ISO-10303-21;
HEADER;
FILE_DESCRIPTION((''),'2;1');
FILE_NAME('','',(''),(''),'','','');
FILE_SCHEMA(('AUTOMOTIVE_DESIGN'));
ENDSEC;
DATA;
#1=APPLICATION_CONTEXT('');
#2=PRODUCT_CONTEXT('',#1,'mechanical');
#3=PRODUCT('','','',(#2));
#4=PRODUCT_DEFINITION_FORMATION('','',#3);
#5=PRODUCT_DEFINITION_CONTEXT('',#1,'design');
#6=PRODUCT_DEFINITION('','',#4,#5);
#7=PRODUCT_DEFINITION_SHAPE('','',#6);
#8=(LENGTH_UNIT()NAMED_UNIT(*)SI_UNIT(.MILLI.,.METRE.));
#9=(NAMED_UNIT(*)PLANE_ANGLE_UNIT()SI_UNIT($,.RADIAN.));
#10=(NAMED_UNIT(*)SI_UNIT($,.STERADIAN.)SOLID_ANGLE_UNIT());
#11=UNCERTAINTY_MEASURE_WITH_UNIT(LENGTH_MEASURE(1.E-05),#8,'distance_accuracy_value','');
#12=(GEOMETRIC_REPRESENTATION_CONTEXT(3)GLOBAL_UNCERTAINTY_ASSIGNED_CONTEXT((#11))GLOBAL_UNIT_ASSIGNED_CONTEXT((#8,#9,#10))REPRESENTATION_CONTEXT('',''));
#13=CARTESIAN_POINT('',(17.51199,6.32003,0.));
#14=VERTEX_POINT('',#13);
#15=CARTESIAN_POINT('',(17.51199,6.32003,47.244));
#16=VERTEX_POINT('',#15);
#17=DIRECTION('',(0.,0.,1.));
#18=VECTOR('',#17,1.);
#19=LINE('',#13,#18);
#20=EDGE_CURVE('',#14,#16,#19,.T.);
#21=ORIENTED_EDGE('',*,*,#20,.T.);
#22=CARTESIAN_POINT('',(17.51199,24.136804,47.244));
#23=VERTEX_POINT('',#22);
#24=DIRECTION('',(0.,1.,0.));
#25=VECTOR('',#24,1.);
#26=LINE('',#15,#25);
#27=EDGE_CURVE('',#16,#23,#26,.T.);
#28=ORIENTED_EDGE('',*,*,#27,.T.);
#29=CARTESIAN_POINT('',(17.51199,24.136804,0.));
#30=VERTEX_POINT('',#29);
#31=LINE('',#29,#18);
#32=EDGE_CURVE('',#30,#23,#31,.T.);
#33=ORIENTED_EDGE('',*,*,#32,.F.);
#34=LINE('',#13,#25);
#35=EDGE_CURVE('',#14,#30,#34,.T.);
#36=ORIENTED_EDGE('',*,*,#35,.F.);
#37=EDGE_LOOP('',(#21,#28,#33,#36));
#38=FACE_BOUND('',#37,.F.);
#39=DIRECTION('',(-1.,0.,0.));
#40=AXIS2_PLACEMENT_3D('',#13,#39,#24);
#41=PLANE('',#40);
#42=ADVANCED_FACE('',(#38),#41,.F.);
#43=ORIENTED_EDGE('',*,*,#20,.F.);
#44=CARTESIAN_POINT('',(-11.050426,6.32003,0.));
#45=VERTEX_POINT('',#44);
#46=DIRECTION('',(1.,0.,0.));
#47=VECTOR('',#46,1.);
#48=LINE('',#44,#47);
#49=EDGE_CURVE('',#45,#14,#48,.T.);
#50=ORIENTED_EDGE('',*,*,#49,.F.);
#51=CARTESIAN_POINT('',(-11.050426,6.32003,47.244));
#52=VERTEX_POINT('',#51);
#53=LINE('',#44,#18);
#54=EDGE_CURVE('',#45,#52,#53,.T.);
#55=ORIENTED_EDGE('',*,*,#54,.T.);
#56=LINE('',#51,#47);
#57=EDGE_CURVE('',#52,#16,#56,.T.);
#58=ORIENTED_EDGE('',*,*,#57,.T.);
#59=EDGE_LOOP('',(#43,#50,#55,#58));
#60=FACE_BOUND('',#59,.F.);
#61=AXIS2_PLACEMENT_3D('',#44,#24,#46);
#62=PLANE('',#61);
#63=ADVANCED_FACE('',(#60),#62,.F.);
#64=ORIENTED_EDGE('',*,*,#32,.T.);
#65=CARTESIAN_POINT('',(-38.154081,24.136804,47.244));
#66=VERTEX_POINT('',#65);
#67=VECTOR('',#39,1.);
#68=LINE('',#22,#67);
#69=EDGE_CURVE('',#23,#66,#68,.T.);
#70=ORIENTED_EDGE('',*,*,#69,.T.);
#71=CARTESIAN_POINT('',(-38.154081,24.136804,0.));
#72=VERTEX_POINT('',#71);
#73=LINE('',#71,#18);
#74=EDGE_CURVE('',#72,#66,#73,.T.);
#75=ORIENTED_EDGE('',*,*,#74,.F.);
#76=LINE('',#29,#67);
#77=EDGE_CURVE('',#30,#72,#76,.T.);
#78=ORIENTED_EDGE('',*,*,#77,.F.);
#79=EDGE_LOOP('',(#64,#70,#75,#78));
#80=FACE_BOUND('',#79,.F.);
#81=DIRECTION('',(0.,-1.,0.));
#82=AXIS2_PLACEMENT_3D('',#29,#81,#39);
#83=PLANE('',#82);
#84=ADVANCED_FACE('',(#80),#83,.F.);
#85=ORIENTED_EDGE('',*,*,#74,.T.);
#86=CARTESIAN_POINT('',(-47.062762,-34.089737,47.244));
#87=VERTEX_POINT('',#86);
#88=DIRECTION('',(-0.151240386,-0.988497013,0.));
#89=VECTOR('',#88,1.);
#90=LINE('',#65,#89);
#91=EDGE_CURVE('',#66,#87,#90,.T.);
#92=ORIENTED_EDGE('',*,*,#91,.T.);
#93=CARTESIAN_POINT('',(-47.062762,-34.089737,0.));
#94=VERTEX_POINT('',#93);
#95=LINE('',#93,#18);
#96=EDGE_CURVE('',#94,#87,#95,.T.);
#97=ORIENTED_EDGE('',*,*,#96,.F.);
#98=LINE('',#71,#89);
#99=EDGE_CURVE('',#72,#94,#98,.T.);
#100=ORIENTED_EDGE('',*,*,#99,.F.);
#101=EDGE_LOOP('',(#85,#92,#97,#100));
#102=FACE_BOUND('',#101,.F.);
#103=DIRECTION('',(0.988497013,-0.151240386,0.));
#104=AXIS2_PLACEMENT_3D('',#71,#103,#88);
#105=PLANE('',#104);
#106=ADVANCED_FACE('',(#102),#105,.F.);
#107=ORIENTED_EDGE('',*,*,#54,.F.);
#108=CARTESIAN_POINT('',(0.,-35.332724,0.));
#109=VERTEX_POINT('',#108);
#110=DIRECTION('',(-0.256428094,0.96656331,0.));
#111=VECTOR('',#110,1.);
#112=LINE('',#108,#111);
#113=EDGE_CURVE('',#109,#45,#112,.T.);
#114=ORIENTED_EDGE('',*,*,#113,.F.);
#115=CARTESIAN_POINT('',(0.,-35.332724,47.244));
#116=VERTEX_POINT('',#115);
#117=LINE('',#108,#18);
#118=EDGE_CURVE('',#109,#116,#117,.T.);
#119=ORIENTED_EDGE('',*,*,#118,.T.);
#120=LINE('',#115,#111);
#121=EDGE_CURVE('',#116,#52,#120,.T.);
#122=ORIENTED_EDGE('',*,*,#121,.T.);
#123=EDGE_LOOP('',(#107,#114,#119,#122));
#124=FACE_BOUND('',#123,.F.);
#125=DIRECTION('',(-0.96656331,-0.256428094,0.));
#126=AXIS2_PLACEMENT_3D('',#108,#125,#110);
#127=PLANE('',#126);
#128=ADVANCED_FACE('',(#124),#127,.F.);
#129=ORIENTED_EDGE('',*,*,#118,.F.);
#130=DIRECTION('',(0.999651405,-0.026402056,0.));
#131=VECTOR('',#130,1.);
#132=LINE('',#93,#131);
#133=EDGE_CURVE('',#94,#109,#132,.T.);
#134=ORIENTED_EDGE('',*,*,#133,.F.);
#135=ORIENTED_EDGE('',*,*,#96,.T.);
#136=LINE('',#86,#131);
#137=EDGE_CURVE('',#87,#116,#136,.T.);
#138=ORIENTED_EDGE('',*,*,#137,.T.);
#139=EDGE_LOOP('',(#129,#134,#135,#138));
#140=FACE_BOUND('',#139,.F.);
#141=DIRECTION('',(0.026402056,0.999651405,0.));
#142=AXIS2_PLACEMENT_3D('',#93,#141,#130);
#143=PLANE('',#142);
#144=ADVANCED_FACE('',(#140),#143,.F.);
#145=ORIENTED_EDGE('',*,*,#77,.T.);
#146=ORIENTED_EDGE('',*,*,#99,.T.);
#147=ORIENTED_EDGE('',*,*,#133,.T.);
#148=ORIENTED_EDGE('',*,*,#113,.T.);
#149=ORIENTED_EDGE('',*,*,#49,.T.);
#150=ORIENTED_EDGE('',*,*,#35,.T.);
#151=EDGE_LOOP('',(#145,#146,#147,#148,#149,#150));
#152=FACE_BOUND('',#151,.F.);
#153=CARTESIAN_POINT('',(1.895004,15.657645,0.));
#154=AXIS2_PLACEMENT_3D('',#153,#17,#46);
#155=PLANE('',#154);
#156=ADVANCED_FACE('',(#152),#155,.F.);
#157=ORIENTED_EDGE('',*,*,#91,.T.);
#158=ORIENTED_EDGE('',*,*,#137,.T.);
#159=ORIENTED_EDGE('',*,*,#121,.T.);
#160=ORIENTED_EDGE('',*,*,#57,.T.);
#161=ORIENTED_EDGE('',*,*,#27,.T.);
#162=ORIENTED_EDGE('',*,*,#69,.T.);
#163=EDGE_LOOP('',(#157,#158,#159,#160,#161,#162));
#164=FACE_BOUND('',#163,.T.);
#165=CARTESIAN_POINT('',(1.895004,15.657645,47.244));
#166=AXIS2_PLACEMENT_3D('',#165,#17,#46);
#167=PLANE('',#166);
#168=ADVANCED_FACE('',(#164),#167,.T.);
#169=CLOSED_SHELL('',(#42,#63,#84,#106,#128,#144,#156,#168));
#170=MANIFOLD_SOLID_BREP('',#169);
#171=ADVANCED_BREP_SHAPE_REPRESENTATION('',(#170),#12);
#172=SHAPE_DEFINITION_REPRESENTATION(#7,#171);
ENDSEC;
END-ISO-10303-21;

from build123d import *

# Parameters (mm, degrees)
F1_DEPTH = 47.244


with BuildPart() as f1:
    # F0 (on Top) → F1 (new body)
    with BuildSketch(Plane.XY):
        Polygon((17.51199, 24.136804), (-15.777195, 24.136804), (-11.050426, 6.32003), (17.51199, 6.32003), align=None)
        Polygon((-38.154081, 24.136804), (-47.062762, -34.089737), (0, -35.332724), (-11.050426, 6.32003), (-15.777195, 24.136804), align=None)
    extrude(amount=F1_DEPTH)


solid = f1.part
